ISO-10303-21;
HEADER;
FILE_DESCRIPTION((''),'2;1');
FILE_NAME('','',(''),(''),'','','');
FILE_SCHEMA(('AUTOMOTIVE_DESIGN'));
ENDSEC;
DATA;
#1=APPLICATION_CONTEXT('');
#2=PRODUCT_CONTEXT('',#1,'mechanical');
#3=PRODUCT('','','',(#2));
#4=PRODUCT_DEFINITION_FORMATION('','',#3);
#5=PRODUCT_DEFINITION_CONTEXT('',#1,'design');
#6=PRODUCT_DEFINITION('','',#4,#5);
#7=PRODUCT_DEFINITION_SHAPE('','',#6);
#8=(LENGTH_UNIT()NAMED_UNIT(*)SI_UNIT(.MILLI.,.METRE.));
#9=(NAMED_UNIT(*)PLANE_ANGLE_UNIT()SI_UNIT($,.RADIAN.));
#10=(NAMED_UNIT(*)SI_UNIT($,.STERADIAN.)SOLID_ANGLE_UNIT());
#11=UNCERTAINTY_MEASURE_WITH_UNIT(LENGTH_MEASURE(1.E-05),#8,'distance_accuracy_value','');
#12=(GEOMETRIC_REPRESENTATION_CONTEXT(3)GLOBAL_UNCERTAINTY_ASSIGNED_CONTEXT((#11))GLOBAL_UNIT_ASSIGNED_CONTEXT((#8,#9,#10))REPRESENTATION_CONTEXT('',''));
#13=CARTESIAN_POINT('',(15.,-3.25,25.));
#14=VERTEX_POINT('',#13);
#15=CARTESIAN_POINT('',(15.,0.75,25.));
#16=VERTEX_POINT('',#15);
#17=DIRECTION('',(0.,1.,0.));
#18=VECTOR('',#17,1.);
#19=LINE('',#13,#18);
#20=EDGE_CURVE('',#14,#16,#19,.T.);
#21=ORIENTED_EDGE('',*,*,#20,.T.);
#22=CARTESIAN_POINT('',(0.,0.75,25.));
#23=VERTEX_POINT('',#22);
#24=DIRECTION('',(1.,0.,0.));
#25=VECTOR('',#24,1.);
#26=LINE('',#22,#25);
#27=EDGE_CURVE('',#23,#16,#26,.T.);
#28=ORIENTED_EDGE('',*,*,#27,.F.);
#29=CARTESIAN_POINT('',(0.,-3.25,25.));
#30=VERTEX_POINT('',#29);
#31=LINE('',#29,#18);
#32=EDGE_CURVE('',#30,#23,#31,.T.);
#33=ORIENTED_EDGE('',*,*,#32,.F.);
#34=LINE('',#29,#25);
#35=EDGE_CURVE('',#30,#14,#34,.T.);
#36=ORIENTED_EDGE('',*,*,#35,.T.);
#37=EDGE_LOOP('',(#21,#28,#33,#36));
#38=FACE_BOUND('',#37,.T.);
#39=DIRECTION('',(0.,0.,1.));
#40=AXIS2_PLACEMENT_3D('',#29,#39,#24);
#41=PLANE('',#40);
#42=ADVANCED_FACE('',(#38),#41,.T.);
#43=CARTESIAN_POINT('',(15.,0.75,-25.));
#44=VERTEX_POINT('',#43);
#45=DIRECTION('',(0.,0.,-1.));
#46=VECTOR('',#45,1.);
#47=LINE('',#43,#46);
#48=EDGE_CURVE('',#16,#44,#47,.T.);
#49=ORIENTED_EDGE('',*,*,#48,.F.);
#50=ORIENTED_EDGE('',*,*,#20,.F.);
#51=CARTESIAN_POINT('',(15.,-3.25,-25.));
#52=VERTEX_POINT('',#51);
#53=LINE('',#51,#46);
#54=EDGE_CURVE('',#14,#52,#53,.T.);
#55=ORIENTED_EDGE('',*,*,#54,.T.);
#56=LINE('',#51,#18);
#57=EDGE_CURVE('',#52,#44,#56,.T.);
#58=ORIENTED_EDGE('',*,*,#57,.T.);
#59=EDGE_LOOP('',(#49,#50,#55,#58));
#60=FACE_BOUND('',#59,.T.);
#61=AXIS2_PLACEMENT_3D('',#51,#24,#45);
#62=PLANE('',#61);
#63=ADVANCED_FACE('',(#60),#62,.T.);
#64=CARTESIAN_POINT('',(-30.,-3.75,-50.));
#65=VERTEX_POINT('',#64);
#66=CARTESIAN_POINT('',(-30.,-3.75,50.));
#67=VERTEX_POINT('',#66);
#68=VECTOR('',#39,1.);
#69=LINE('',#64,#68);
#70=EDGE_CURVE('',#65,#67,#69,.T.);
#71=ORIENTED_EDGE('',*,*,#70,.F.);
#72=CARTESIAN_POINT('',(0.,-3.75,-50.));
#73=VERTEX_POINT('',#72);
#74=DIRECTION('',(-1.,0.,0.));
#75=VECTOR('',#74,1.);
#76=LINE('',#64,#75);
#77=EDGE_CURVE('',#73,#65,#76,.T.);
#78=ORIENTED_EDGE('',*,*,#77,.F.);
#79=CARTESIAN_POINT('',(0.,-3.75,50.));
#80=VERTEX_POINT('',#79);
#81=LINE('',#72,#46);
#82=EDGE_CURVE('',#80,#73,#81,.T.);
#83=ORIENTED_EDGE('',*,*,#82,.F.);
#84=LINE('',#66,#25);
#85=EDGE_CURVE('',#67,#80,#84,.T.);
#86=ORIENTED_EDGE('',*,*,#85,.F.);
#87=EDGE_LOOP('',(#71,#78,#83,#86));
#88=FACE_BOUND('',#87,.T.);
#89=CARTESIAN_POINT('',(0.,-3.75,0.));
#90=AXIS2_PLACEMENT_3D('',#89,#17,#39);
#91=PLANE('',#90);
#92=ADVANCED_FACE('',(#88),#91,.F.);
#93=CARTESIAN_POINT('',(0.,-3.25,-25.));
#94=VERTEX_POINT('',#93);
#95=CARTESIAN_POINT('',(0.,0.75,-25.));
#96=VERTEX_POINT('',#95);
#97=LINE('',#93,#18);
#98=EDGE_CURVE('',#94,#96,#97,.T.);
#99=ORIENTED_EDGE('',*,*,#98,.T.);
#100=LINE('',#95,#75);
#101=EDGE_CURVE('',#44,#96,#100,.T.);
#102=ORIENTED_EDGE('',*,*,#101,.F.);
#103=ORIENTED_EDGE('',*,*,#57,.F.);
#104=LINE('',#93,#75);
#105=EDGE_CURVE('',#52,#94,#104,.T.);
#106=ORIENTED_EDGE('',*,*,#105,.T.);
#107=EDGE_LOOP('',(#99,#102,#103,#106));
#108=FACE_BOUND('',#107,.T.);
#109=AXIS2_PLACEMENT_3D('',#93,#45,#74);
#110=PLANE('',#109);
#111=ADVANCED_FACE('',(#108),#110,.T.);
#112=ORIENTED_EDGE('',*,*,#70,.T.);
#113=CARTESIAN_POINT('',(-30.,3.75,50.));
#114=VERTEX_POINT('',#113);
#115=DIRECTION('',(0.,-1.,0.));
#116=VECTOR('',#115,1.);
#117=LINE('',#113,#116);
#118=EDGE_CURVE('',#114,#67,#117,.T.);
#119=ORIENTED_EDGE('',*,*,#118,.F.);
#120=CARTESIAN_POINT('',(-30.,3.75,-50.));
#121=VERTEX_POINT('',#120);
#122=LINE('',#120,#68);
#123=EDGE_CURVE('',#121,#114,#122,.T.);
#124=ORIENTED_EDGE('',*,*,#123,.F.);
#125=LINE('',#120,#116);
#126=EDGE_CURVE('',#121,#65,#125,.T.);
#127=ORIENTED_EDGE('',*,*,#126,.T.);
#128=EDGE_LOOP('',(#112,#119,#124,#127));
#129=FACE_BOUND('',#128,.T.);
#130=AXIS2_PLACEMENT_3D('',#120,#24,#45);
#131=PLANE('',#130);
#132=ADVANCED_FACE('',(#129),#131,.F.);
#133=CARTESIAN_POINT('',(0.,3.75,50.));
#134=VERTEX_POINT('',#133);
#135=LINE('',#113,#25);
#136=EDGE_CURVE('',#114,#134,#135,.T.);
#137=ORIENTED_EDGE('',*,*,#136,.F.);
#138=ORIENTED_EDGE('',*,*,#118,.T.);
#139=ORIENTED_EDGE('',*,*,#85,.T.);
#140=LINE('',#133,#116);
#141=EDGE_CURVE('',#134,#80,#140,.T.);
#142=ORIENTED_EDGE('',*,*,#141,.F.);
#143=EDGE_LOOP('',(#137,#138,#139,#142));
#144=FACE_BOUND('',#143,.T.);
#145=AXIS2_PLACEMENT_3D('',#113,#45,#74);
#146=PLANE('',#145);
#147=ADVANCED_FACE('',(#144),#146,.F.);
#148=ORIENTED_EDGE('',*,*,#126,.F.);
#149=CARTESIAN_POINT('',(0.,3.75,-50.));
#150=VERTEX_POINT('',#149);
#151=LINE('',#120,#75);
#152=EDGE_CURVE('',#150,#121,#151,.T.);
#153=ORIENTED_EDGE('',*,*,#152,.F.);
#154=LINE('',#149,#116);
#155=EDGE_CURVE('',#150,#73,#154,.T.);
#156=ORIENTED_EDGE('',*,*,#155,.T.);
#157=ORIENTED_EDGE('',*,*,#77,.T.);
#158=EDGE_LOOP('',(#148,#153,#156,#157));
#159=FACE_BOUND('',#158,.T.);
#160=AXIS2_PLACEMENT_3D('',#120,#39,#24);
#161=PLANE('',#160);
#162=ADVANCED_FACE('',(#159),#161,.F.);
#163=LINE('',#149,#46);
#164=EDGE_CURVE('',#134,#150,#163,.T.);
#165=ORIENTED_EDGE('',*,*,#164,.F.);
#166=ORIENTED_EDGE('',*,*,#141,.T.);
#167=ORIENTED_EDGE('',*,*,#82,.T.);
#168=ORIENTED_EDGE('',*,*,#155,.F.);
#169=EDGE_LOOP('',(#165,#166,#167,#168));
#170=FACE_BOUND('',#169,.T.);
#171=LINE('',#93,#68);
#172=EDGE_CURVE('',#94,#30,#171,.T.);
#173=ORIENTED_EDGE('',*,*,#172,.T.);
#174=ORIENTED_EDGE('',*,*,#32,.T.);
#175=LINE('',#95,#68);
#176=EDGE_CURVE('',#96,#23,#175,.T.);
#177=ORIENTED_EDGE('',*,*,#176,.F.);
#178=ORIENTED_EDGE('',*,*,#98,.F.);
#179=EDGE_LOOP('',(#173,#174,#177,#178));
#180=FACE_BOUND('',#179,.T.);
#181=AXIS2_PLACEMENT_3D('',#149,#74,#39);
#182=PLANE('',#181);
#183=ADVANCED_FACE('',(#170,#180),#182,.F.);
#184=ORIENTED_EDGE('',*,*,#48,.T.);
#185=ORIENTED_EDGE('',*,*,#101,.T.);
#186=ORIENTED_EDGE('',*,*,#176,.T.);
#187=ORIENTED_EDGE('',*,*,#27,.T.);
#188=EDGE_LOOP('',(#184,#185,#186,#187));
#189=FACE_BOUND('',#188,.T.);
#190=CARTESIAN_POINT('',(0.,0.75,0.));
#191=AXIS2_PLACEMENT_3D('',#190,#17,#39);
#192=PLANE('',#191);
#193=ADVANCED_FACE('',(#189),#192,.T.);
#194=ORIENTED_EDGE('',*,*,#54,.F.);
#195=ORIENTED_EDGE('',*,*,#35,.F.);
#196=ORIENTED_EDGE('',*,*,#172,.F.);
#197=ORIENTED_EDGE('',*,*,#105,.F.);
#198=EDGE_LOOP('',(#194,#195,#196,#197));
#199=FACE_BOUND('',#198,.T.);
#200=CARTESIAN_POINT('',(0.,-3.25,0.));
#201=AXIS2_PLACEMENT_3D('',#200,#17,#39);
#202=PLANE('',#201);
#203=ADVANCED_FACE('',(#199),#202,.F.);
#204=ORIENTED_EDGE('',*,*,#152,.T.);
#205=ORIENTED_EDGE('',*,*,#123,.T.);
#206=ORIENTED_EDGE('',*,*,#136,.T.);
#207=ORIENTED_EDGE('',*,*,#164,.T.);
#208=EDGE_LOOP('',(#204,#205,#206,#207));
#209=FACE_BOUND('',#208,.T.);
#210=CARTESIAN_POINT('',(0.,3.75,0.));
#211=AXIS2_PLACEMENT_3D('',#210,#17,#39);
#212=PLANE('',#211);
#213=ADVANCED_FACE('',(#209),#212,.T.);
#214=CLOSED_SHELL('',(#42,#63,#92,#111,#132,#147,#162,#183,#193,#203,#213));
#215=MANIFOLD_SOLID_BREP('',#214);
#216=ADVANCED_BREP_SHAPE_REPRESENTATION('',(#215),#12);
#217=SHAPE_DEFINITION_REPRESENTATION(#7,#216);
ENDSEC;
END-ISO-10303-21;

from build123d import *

# Parameters (mm, degrees)
SKETCH1_W           = 30
SKETCH1_H           = 100
BOSS_EXTRUDE1_DEPTH = 3.75
BOSS_EXTRUDE2_START = -3
SKETCH2_W           = 15
SKETCH2_H           = 50
BOSS_EXTRUDE2_DEPTH = 4


with BuildPart() as part:
    # Sketch1 → Boss-Extrude1 (new, symmetric)
    with BuildSketch(Plane(origin=(0, 0, 0), x_dir=(1, 0, 0), z_dir=(0, 1, 0))):
        with Locations((-15, 0)):
            Rectangle(SKETCH1_W, SKETCH1_H)
    extrude(amount=BOSS_EXTRUDE1_DEPTH, both=True)

    # Sketch2 → Boss-Extrude2 (add)
    with BuildSketch(Plane(origin=(0, 3.75, 0), x_dir=(1, 0, 0), z_dir=(0, 1, 0)).offset(BOSS_EXTRUDE2_START)):
        with Locations((7.5, 0)):
            Rectangle(SKETCH2_W, SKETCH2_H)
    extrude(amount=-BOSS_EXTRUDE2_DEPTH)


solid = part.part
